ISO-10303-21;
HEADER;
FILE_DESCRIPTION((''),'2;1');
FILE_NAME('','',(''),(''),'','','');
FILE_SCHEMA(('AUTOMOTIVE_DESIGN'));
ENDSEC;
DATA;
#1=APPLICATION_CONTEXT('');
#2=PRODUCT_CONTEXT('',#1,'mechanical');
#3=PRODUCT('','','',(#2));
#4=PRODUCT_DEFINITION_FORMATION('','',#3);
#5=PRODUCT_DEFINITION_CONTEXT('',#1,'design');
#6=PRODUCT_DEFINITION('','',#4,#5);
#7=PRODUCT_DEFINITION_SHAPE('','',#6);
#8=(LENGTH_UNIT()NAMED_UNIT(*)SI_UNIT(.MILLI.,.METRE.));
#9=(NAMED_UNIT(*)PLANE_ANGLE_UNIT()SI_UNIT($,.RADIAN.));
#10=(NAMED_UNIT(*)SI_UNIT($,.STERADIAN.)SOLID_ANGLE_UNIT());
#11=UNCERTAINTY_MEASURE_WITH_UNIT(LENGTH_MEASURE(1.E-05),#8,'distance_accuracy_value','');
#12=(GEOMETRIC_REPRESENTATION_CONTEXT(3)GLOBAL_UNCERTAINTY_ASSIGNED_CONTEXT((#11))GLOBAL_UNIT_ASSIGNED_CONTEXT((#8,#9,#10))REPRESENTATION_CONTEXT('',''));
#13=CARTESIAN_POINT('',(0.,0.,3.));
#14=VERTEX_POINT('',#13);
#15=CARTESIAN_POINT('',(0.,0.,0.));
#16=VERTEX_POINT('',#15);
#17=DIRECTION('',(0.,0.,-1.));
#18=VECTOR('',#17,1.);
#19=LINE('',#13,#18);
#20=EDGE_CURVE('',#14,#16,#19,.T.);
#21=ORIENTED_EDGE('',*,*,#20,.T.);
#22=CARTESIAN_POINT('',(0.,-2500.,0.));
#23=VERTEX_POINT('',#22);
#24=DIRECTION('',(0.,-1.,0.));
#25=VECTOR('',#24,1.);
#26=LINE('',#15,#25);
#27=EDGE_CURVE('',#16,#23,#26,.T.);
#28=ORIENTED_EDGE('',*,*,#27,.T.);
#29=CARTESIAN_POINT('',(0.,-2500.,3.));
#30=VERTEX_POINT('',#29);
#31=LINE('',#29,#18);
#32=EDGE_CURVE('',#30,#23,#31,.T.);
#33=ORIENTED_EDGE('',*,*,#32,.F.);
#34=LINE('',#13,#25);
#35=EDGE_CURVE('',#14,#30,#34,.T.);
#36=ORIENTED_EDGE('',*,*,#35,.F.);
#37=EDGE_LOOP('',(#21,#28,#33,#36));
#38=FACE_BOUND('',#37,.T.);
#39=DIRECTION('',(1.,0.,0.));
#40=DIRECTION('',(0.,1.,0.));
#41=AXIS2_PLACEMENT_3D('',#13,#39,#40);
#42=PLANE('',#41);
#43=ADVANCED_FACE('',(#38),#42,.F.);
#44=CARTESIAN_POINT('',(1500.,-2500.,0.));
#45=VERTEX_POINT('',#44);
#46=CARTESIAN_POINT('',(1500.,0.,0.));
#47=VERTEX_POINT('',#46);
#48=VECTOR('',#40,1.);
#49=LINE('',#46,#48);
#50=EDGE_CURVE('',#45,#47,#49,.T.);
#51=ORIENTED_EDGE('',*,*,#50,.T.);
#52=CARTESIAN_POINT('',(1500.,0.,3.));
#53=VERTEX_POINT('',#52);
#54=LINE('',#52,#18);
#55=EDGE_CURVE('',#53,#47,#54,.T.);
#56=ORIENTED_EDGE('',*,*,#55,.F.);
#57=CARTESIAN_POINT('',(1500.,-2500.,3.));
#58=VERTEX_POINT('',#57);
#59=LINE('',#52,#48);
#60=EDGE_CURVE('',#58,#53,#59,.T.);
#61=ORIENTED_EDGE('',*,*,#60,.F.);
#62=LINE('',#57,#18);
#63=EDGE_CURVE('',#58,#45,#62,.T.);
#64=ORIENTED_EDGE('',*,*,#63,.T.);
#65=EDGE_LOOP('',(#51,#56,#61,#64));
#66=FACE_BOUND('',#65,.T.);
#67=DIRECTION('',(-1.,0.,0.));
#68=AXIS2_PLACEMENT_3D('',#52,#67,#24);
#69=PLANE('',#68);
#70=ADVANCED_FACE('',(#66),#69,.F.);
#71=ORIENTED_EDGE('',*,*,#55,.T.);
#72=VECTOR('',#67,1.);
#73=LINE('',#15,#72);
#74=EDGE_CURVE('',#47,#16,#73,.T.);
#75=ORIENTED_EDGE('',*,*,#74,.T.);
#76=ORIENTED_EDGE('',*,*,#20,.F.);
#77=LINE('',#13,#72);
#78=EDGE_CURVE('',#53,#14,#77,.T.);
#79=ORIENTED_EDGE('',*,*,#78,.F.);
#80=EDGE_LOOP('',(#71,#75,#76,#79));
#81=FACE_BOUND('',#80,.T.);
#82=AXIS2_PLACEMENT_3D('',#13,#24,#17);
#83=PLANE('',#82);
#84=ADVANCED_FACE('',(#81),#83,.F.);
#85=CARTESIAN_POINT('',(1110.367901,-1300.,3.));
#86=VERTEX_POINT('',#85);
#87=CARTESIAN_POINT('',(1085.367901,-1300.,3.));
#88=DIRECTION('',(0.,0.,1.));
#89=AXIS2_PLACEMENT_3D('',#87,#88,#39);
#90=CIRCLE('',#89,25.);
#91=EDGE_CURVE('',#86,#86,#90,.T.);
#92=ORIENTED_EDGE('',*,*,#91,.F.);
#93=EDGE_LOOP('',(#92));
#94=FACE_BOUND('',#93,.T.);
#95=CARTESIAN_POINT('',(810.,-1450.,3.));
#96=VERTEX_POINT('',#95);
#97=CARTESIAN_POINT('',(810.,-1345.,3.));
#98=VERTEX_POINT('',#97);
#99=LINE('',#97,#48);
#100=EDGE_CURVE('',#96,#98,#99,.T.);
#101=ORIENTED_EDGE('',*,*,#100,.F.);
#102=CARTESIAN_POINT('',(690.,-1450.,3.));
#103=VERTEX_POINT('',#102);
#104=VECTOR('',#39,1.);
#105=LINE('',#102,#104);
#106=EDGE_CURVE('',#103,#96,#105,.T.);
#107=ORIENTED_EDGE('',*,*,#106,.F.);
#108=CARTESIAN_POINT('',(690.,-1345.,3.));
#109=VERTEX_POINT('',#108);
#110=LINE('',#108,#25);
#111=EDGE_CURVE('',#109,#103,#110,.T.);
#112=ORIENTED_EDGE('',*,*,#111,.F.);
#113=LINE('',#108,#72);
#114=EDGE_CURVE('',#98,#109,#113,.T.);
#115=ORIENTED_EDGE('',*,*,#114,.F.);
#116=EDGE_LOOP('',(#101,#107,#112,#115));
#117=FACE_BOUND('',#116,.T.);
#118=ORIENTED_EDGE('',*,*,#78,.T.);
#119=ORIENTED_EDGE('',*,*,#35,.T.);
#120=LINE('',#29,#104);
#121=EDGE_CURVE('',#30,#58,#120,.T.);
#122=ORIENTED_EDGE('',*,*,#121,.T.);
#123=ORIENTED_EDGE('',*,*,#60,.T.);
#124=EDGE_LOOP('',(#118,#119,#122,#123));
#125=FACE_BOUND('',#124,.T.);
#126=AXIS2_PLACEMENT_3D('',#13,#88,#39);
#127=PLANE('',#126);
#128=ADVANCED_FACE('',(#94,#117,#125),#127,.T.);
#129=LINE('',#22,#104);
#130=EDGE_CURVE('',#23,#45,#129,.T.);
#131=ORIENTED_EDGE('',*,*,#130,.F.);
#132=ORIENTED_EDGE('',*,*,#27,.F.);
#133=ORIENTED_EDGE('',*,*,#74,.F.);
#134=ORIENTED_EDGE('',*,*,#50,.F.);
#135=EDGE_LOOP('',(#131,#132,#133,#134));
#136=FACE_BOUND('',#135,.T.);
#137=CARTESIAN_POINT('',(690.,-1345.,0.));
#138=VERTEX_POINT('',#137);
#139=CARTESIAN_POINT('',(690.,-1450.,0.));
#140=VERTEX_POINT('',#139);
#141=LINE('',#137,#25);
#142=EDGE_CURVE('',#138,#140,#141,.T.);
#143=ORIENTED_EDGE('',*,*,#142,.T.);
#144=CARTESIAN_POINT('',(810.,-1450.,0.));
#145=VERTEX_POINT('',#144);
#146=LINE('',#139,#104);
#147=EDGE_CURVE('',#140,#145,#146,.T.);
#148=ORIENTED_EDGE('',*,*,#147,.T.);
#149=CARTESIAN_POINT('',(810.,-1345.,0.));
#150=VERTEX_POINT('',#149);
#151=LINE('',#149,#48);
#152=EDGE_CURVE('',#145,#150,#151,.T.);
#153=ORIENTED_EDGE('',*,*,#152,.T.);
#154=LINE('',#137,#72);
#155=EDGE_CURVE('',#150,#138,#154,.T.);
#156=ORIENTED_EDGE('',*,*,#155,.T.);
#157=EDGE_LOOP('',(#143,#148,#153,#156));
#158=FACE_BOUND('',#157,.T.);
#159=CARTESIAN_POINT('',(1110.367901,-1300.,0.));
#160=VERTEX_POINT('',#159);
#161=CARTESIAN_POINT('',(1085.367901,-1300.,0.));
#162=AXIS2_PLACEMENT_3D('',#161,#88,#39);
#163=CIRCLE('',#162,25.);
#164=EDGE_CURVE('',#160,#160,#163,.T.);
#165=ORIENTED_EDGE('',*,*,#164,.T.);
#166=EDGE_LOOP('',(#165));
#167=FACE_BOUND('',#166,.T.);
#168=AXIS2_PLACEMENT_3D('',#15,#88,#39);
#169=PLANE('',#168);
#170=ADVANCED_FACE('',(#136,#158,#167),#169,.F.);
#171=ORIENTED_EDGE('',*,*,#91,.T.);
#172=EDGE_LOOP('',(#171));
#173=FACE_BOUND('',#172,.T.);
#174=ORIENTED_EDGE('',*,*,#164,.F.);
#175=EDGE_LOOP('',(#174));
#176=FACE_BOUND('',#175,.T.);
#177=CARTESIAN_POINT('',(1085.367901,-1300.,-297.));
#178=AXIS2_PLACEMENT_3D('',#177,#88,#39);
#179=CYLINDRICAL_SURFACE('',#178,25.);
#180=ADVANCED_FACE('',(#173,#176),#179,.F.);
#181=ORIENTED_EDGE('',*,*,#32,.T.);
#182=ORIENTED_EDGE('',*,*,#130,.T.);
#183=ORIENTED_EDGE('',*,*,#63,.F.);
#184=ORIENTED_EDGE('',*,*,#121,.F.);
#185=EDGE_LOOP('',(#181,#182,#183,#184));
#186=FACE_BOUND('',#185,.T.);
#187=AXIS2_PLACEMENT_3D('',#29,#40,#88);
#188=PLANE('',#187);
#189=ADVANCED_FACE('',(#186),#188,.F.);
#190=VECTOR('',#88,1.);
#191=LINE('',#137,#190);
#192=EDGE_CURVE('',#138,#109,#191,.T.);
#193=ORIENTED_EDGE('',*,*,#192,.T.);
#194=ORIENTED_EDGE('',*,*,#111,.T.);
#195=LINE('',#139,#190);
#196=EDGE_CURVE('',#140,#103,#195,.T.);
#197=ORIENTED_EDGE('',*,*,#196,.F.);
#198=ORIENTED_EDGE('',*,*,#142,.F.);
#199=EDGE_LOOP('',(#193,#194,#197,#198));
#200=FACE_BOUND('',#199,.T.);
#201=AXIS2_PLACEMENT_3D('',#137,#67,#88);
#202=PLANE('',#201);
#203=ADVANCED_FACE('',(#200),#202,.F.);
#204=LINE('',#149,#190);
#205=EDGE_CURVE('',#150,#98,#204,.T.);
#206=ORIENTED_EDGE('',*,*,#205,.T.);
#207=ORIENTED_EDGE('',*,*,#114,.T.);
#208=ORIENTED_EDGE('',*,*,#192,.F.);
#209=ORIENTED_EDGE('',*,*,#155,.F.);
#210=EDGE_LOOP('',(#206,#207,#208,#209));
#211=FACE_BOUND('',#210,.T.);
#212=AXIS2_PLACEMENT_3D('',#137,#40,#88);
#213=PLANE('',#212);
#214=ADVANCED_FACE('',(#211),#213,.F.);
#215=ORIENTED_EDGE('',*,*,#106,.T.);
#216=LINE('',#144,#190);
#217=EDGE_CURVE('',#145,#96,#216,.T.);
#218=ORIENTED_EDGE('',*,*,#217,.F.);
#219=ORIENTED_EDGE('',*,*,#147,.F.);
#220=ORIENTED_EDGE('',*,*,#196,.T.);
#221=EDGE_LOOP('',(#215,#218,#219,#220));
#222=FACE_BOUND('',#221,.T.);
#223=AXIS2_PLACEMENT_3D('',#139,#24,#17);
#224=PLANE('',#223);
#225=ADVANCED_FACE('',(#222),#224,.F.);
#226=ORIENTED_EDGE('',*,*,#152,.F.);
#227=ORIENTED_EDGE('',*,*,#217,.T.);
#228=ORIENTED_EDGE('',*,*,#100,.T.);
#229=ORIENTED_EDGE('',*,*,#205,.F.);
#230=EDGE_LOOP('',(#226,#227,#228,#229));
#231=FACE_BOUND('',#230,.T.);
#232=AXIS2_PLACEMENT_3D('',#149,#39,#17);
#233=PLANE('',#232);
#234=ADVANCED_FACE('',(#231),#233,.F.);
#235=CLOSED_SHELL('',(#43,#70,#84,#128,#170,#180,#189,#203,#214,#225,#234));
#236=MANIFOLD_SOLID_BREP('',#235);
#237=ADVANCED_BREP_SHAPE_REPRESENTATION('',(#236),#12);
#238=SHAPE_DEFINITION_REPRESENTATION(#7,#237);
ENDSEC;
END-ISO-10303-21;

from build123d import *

# Parameters (mm, degrees)
SKETCH_1_W          = 1500
SKETCH_1_H          = 2500
EXTRUDE_1_DEPTH     = 3
SKETCH_3_W          = 120
SKETCH_3_H          = 105
CUT_EXTRUDE_2_DEPTH = 2916.47749091
SKETCH_4_R          = 25
CUT_EXTRUDE_3_DEPTH = 300


with BuildPart() as part:
    # 草圖1 → 填料-伸長1 (new body)
    with BuildSketch(Plane.XY):
        with Locations((750, -1250)):
            Rectangle(SKETCH_1_W, SKETCH_1_H)
    extrude(amount=EXTRUDE_1_DEPTH)

    # 草圖3 → 除料-伸長2 (cut, through all)
    with BuildSketch(Plane.XY.offset(3)):
        with Locations((750, -1397.5)):
            Rectangle(SKETCH_3_W, SKETCH_3_H)
    extrude(amount=-CUT_EXTRUDE_2_DEPTH, mode=Mode.SUBTRACT)

    # 草圖4 → 除料-伸長3 (cut)
    with BuildSketch(Plane.XY.offset(3)):
        with Locations((1085.367901205, -1300)):
            Circle(SKETCH_4_R)
    extrude(amount=-CUT_EXTRUDE_3_DEPTH, mode=Mode.SUBTRACT)


solid = part.part
